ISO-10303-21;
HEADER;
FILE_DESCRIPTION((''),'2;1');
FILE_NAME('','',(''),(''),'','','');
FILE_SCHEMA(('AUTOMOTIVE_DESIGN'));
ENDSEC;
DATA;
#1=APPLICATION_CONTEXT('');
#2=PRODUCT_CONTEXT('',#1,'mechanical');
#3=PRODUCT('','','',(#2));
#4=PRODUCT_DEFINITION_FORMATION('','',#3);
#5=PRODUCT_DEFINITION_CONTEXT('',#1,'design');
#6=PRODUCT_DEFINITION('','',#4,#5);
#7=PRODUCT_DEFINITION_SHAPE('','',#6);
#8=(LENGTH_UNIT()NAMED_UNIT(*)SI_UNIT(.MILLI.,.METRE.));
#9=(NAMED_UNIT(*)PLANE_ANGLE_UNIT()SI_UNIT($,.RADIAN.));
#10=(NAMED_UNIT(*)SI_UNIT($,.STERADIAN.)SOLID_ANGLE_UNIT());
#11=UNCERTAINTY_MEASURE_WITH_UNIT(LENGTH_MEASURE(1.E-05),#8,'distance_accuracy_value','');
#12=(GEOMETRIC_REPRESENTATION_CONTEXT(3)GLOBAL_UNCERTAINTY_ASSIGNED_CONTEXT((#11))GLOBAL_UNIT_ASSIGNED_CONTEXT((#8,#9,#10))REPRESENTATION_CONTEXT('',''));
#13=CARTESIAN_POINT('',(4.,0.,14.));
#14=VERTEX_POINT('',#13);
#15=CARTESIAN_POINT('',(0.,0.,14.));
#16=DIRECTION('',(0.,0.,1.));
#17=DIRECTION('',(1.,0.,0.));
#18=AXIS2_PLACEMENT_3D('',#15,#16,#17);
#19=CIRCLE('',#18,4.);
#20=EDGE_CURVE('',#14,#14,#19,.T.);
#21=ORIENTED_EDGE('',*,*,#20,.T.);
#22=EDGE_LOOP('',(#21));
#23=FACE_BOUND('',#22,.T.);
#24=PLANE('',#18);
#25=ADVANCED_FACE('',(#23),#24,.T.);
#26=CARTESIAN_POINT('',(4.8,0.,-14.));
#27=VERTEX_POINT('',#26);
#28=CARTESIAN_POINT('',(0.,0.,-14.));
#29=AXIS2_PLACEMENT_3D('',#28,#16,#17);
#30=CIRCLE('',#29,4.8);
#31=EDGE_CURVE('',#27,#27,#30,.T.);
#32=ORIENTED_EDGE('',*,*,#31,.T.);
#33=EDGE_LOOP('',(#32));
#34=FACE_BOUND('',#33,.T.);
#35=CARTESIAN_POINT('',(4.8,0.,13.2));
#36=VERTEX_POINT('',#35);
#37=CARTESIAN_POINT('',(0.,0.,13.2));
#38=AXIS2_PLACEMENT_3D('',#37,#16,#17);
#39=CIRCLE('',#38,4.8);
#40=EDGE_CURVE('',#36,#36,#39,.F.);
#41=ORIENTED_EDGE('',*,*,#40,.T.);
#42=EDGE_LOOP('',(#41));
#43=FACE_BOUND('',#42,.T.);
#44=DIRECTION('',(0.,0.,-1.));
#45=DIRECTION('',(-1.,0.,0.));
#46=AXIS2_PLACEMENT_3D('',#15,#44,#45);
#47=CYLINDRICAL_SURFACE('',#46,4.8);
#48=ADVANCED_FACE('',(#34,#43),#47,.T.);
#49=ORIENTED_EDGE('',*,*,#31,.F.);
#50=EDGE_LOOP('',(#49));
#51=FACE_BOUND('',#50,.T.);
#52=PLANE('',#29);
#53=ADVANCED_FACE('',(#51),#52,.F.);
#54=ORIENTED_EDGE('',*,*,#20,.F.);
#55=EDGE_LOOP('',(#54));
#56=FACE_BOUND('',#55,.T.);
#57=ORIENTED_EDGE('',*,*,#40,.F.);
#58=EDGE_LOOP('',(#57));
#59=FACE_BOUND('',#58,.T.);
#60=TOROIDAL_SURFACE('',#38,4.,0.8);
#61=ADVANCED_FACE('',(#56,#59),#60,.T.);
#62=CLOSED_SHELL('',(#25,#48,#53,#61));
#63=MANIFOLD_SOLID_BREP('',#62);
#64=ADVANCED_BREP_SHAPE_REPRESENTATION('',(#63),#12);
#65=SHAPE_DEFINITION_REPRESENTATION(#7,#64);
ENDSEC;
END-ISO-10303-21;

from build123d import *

# Parameters (mm, degrees)
SKETCH1_R           = 4.8
BOSS_EXTRUDE1_DEPTH = 14
FILLET1_R           = 0.8


with BuildPart() as part:
    # Sketch1 → Boss-Extrude1 (new body, symmetric)
    with BuildSketch(Plane.XY):
        Circle(SKETCH1_R)
    extrude(amount=BOSS_EXTRUDE1_DEPTH, both=True)

    # Fillet1
    fillet1_edges = [part.edges().sort_by_distance(p)[0] for p in [
        (-4.8, 0, 14),
    ]]
    fillet(fillet1_edges, radius=FILLET1_R)


solid = part.part
